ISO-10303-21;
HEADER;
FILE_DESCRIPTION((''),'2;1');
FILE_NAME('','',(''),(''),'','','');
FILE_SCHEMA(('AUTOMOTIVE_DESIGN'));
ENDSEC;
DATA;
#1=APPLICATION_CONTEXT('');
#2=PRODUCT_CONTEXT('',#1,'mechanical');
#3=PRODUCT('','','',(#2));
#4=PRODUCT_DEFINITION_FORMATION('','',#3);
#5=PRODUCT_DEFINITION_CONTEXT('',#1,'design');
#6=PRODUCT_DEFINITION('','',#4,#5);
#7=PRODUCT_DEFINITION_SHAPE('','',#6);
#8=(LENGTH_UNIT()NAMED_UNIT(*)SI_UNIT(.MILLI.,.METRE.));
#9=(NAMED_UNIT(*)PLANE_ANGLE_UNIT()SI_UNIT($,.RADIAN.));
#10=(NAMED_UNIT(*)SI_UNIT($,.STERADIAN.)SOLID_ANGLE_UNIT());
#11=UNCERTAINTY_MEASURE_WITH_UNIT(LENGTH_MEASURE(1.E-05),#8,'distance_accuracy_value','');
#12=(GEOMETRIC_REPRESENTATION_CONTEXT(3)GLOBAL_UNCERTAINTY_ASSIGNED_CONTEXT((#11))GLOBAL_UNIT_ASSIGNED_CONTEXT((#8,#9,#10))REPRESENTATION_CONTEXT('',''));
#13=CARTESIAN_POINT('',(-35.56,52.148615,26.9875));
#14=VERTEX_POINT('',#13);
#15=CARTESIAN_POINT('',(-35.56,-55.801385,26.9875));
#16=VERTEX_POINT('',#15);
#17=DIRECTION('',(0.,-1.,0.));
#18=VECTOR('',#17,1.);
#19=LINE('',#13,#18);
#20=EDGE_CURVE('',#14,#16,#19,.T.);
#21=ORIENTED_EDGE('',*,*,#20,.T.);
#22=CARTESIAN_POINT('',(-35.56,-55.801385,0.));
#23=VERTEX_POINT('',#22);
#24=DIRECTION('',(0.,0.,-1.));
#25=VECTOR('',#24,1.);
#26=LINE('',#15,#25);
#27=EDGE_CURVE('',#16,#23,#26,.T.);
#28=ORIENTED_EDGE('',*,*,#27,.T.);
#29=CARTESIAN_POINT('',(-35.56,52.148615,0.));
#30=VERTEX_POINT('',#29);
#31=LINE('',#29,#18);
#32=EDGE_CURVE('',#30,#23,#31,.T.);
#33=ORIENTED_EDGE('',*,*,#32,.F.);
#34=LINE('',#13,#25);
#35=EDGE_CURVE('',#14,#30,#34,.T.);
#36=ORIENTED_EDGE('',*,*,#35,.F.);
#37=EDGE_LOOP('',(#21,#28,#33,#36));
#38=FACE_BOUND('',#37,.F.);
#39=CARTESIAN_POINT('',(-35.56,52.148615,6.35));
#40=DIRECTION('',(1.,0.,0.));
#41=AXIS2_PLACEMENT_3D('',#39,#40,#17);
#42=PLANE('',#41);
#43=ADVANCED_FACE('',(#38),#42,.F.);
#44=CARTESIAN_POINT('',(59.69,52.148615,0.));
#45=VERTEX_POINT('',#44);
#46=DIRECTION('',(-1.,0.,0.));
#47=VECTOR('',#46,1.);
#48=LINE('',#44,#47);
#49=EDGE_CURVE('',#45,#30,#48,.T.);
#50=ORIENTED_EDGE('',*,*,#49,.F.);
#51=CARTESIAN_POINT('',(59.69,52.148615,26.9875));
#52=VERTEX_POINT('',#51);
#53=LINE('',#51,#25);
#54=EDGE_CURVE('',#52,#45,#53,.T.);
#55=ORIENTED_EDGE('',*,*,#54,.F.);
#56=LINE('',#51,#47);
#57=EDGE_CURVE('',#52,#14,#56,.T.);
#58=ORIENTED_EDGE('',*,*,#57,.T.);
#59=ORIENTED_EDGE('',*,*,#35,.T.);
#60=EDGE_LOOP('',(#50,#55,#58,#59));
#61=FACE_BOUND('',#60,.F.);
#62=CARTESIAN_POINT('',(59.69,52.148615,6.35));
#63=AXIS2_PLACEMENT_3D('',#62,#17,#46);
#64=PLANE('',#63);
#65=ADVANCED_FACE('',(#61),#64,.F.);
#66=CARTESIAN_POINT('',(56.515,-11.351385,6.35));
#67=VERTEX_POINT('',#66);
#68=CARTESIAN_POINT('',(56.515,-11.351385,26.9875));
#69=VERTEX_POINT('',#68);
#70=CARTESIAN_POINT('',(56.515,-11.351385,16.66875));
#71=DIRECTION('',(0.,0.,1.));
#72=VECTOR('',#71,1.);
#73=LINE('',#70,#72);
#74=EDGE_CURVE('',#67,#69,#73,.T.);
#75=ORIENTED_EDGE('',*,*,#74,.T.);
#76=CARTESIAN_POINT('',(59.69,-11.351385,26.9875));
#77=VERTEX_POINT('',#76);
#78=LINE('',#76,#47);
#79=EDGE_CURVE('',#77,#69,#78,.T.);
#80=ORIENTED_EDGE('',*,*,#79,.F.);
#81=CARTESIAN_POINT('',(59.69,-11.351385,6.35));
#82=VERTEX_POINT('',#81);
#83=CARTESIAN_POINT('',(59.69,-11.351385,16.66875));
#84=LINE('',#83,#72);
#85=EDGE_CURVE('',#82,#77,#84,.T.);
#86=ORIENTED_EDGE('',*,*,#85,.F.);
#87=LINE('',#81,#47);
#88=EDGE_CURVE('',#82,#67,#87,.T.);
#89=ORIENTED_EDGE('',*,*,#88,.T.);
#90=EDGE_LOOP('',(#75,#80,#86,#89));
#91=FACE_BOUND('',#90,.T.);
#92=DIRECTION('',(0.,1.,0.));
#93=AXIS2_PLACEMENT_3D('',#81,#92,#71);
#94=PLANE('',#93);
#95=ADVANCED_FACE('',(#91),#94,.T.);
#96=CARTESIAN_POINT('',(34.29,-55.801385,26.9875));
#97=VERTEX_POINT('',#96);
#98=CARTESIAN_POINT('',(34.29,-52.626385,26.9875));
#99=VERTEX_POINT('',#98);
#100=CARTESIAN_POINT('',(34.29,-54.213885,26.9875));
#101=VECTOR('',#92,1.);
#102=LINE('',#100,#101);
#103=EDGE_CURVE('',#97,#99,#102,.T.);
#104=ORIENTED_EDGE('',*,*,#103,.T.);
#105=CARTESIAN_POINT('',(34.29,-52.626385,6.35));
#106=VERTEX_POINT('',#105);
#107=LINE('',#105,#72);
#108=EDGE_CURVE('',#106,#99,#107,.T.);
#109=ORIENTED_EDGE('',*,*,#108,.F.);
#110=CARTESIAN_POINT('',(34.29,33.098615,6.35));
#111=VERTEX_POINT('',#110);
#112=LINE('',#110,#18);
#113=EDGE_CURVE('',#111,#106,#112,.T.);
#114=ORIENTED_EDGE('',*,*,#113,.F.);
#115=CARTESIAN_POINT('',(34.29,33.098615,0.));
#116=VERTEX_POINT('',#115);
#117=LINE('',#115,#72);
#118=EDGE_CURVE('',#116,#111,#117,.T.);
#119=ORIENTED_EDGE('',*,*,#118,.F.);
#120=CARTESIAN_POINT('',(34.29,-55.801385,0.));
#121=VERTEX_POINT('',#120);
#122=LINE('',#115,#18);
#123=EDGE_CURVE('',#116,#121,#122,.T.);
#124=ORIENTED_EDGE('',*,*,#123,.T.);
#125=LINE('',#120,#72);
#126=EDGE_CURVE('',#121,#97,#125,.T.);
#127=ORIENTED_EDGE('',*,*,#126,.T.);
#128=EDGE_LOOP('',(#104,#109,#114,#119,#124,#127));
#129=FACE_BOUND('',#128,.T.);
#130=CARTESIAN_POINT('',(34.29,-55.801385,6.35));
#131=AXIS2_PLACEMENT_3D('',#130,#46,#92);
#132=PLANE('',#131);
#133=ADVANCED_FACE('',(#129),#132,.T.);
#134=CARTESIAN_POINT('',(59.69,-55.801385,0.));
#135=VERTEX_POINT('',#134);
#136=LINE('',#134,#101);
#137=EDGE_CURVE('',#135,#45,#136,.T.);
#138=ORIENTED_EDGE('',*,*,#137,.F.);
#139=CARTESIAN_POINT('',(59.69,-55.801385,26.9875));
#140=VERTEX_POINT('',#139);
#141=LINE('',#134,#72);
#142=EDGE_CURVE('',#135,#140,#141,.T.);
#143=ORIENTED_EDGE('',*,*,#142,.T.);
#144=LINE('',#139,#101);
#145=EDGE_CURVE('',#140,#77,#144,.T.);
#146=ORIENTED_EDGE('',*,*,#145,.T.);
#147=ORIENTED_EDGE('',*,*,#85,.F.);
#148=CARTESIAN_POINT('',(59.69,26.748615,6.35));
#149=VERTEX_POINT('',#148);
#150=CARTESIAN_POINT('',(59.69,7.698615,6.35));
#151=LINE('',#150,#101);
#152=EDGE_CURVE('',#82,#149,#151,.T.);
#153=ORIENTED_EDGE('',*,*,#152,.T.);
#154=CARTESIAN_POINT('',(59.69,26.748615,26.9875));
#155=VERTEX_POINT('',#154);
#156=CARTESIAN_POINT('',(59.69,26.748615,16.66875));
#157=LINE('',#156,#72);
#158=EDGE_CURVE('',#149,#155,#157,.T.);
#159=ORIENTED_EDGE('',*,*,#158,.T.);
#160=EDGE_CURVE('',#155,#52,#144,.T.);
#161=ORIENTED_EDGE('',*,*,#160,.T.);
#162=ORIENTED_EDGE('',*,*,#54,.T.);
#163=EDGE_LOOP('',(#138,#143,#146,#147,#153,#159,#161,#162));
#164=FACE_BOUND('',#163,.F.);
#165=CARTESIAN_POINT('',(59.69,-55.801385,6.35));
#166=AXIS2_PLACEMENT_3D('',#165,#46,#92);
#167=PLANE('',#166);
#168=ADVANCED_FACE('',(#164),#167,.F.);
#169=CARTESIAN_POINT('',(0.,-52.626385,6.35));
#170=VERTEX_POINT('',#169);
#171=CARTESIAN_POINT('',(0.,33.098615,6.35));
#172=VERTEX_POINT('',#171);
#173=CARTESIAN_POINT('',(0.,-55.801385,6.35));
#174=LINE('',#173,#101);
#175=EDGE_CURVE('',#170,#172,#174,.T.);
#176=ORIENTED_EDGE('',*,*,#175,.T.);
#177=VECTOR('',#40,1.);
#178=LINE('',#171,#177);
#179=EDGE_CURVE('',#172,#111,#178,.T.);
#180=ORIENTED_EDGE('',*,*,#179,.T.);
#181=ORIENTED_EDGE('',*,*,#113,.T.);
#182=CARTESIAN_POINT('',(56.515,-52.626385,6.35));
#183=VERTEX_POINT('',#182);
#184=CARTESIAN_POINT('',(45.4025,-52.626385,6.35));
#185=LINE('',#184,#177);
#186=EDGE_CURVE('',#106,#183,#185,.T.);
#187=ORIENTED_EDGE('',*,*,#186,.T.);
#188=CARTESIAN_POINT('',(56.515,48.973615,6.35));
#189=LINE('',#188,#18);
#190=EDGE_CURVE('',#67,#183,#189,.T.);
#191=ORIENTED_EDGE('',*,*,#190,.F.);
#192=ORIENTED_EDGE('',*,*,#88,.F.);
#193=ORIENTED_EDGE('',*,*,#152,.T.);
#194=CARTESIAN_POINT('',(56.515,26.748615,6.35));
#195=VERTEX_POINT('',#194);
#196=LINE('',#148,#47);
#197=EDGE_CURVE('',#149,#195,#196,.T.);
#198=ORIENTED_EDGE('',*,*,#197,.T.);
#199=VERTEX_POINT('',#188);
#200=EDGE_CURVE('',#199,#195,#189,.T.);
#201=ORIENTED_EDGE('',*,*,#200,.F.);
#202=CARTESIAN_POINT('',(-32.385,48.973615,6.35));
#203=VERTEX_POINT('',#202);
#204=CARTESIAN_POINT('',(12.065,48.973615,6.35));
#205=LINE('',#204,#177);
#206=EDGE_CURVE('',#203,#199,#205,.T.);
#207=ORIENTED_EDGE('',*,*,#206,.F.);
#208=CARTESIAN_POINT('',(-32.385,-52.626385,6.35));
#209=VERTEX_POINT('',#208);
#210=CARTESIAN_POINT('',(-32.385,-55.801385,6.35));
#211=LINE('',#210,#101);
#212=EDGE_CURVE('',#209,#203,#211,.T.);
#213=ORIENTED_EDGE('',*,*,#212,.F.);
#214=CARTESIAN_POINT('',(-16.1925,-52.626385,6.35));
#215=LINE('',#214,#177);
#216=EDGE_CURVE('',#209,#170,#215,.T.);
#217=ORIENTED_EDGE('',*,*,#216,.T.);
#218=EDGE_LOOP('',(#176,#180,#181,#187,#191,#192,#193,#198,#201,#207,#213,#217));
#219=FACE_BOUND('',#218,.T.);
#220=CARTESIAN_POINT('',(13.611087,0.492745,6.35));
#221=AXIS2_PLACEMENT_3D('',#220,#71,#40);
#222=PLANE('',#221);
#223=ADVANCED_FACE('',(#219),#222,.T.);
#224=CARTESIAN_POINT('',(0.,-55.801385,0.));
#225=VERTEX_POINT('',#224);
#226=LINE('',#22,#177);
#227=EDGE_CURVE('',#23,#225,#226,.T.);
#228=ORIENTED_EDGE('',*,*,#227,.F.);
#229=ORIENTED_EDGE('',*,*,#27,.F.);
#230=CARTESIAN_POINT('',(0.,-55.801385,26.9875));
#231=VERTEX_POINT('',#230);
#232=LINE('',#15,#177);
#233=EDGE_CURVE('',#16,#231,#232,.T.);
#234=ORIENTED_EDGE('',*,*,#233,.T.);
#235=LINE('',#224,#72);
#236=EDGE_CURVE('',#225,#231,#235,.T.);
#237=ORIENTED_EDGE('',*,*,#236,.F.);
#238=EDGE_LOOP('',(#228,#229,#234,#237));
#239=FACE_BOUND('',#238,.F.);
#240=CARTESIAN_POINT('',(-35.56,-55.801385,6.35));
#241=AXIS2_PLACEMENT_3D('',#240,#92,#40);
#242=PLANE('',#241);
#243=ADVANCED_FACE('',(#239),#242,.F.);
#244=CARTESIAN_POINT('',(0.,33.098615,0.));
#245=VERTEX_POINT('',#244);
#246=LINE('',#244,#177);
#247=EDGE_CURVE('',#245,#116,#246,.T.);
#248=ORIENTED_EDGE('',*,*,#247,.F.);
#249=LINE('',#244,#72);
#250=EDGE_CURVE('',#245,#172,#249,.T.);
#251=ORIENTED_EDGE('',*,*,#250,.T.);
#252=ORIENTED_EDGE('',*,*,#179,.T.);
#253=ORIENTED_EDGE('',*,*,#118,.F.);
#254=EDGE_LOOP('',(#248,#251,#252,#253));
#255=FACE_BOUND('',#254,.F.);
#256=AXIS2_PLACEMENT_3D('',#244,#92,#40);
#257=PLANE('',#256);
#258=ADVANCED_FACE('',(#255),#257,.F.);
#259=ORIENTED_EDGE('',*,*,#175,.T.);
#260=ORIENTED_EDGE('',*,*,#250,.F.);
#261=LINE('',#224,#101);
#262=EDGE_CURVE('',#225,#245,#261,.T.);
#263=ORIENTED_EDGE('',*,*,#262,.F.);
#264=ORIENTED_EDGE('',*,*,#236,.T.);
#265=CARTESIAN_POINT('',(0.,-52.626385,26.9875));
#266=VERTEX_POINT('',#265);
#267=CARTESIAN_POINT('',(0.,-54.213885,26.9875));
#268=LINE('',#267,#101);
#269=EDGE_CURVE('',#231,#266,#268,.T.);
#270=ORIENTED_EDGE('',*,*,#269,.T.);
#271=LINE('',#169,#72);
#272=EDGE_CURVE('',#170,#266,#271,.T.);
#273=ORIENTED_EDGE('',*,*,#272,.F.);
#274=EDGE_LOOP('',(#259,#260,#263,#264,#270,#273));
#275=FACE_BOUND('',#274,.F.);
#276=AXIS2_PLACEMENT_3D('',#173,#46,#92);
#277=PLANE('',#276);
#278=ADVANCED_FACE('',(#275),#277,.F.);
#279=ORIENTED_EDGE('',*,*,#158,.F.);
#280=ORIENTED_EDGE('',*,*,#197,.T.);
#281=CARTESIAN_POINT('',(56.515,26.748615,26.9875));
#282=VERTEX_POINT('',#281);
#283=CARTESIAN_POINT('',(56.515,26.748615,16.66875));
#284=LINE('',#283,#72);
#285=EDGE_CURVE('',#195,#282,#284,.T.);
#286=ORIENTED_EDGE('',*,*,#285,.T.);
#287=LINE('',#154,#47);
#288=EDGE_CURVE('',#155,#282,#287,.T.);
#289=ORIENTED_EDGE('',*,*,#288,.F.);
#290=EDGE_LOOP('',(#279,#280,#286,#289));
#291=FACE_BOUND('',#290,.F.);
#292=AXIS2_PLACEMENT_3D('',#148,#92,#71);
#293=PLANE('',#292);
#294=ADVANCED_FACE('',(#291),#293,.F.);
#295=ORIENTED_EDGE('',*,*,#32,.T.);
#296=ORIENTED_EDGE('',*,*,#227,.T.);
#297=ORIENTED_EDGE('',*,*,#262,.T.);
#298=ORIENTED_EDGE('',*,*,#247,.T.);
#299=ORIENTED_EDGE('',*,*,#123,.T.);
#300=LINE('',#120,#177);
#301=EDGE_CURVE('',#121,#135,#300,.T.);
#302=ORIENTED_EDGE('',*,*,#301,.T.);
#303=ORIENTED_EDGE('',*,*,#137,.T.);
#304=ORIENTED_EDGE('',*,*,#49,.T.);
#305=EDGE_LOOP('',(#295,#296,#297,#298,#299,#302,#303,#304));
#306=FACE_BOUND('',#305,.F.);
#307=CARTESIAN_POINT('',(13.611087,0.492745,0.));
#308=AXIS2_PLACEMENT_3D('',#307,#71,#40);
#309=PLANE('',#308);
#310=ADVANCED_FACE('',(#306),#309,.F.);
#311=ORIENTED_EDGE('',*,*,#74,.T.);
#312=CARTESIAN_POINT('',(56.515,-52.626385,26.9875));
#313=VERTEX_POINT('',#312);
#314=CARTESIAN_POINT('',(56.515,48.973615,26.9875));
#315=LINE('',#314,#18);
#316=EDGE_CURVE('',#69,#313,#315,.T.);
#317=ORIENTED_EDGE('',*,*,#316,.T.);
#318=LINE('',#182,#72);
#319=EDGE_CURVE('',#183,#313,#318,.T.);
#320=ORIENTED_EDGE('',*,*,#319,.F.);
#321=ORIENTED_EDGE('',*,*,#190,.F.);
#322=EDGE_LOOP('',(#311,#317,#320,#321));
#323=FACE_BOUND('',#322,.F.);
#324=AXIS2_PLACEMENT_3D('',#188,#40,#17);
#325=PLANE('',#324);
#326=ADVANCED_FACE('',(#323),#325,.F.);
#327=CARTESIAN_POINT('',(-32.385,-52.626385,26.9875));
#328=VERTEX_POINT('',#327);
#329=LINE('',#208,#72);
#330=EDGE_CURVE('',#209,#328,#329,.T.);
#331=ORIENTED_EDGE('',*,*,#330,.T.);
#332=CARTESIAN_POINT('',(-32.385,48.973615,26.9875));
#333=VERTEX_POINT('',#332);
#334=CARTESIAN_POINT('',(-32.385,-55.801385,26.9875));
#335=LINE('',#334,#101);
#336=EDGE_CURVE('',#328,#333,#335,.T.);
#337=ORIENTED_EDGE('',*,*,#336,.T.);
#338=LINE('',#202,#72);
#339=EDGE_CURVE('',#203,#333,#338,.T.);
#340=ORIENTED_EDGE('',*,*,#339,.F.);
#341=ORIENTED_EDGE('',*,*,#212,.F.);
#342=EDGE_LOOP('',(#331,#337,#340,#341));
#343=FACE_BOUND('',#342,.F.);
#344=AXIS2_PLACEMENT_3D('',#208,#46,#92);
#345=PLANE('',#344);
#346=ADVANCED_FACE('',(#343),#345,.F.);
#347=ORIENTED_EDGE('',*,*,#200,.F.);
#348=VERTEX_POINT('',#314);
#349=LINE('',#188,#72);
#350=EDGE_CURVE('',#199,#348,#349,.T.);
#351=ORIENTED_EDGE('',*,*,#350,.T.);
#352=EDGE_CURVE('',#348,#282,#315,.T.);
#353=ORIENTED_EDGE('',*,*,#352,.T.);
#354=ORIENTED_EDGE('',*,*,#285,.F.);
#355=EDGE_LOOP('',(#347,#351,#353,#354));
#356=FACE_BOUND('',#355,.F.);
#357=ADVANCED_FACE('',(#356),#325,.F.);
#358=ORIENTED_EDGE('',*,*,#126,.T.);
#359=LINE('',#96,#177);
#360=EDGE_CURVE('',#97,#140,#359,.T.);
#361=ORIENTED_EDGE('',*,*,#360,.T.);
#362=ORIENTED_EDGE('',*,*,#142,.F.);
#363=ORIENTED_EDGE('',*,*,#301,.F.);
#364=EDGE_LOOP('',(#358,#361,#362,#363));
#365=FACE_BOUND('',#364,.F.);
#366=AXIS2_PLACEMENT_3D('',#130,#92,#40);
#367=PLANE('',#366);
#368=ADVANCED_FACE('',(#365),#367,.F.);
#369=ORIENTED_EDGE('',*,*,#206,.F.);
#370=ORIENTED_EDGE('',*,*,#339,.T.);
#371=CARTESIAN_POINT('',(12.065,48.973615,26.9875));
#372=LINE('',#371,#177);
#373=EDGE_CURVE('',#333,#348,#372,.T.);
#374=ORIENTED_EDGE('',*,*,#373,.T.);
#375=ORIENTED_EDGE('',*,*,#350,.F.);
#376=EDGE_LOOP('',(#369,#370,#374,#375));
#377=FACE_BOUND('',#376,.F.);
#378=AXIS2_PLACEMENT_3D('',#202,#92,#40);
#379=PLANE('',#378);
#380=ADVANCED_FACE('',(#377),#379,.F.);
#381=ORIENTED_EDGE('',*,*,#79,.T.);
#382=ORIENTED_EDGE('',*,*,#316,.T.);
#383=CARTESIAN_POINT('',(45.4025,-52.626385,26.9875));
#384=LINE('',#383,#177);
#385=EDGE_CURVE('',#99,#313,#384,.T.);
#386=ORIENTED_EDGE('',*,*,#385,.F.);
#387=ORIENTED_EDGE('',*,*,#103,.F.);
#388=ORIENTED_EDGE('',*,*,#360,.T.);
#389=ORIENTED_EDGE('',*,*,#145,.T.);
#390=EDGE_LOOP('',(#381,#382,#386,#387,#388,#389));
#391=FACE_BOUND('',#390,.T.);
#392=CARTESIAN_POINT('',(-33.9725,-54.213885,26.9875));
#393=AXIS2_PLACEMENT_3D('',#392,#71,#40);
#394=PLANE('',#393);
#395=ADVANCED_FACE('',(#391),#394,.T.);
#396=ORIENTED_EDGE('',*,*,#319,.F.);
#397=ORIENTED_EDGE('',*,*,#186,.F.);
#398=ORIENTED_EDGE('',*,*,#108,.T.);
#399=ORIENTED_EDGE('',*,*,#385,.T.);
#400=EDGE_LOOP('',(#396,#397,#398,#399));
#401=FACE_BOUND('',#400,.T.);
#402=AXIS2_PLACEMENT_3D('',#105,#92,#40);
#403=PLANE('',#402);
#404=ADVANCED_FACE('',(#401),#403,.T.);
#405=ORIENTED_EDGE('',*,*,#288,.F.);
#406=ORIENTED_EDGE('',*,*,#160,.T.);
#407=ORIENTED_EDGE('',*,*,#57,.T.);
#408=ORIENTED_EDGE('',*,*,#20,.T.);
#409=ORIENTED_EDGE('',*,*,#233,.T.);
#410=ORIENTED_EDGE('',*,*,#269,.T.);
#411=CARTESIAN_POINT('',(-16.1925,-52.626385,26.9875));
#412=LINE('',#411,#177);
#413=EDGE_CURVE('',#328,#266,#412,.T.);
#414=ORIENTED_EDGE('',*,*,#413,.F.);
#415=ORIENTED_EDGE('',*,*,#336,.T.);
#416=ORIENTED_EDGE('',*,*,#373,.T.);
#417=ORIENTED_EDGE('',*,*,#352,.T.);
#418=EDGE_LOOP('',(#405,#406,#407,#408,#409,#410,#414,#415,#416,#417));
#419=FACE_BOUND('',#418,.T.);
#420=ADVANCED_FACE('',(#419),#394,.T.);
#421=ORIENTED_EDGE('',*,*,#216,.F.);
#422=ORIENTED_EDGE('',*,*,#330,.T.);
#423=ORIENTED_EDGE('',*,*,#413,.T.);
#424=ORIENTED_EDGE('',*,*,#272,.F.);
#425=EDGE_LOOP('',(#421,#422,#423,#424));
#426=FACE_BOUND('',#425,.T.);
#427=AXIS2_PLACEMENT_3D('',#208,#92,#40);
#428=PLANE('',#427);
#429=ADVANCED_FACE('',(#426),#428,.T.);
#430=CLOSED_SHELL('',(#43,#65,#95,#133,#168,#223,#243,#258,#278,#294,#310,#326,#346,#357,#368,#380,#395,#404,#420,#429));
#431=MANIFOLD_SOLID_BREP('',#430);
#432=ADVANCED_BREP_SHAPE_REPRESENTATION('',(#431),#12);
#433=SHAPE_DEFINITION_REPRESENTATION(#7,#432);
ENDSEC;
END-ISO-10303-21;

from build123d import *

# Parameters (mm, degrees)
F1_DEPTH = 6.35
F2_W     = 3.175
F2_H     = 3.175
F2_H_2   = 101.6
F2_W_2   = 88.9
F2_W_3   = 32.385
F2_W_4   = 22.225
F3_DEPTH = 20.6375
F4_W     = 38.1
F4_H     = 20.6375
F5_DEPTH = 3.175


with BuildPart() as f1:
    # F0 (on Top) → F1 (new body)
    with BuildSketch(Plane.XY):
        Polygon((59.69, 52.148615), (-35.56, 52.148615), (-35.56, -55.801385), (0, -55.801385), (0, 33.098615), (34.29, 33.098615), (34.29, -55.801385), (59.69, -55.801385), align=None)
    extrude(amount=F1_DEPTH)

    # F2 (on face) → F3 (join)
    with BuildSketch(Plane.XY.offset(6.35)):
        with Locations((-33.9725, -54.213885)):
            Rectangle(F2_W, F2_H)
        with Locations((-33.9725, -1.826385)):
            Rectangle(F2_W, F2_H_2)
        with Locations((-33.9725, 50.561115)):
            Rectangle(F2_W, F2_H)
        with Locations((12.065, 50.561115)):
            Rectangle(F2_W_2, F2_H)
        with Locations((58.1025, -1.826385)):
            Rectangle(F2_W, F2_H_2)
        with Locations((58.1025, 50.561115)):
            Rectangle(F2_W, F2_H)
        with Locations((58.1025, -54.213885)):
            Rectangle(F2_W, F2_H)
        with Locations((-16.1925, -54.213885)):
            Rectangle(F2_W_3, F2_H)
        with Locations((45.4025, -54.213885)):
            Rectangle(F2_W_4, F2_H)
    extrude(amount=F3_DEPTH)

    # F4 (on face) → F5 (cut)
    with BuildSketch(Plane.YZ.offset(59.69)):
        with Locations((7.698615, 16.66875)):
            Rectangle(F4_W, F4_H)
    extrude(amount=-F5_DEPTH, mode=Mode.SUBTRACT)


solid = f1.part
